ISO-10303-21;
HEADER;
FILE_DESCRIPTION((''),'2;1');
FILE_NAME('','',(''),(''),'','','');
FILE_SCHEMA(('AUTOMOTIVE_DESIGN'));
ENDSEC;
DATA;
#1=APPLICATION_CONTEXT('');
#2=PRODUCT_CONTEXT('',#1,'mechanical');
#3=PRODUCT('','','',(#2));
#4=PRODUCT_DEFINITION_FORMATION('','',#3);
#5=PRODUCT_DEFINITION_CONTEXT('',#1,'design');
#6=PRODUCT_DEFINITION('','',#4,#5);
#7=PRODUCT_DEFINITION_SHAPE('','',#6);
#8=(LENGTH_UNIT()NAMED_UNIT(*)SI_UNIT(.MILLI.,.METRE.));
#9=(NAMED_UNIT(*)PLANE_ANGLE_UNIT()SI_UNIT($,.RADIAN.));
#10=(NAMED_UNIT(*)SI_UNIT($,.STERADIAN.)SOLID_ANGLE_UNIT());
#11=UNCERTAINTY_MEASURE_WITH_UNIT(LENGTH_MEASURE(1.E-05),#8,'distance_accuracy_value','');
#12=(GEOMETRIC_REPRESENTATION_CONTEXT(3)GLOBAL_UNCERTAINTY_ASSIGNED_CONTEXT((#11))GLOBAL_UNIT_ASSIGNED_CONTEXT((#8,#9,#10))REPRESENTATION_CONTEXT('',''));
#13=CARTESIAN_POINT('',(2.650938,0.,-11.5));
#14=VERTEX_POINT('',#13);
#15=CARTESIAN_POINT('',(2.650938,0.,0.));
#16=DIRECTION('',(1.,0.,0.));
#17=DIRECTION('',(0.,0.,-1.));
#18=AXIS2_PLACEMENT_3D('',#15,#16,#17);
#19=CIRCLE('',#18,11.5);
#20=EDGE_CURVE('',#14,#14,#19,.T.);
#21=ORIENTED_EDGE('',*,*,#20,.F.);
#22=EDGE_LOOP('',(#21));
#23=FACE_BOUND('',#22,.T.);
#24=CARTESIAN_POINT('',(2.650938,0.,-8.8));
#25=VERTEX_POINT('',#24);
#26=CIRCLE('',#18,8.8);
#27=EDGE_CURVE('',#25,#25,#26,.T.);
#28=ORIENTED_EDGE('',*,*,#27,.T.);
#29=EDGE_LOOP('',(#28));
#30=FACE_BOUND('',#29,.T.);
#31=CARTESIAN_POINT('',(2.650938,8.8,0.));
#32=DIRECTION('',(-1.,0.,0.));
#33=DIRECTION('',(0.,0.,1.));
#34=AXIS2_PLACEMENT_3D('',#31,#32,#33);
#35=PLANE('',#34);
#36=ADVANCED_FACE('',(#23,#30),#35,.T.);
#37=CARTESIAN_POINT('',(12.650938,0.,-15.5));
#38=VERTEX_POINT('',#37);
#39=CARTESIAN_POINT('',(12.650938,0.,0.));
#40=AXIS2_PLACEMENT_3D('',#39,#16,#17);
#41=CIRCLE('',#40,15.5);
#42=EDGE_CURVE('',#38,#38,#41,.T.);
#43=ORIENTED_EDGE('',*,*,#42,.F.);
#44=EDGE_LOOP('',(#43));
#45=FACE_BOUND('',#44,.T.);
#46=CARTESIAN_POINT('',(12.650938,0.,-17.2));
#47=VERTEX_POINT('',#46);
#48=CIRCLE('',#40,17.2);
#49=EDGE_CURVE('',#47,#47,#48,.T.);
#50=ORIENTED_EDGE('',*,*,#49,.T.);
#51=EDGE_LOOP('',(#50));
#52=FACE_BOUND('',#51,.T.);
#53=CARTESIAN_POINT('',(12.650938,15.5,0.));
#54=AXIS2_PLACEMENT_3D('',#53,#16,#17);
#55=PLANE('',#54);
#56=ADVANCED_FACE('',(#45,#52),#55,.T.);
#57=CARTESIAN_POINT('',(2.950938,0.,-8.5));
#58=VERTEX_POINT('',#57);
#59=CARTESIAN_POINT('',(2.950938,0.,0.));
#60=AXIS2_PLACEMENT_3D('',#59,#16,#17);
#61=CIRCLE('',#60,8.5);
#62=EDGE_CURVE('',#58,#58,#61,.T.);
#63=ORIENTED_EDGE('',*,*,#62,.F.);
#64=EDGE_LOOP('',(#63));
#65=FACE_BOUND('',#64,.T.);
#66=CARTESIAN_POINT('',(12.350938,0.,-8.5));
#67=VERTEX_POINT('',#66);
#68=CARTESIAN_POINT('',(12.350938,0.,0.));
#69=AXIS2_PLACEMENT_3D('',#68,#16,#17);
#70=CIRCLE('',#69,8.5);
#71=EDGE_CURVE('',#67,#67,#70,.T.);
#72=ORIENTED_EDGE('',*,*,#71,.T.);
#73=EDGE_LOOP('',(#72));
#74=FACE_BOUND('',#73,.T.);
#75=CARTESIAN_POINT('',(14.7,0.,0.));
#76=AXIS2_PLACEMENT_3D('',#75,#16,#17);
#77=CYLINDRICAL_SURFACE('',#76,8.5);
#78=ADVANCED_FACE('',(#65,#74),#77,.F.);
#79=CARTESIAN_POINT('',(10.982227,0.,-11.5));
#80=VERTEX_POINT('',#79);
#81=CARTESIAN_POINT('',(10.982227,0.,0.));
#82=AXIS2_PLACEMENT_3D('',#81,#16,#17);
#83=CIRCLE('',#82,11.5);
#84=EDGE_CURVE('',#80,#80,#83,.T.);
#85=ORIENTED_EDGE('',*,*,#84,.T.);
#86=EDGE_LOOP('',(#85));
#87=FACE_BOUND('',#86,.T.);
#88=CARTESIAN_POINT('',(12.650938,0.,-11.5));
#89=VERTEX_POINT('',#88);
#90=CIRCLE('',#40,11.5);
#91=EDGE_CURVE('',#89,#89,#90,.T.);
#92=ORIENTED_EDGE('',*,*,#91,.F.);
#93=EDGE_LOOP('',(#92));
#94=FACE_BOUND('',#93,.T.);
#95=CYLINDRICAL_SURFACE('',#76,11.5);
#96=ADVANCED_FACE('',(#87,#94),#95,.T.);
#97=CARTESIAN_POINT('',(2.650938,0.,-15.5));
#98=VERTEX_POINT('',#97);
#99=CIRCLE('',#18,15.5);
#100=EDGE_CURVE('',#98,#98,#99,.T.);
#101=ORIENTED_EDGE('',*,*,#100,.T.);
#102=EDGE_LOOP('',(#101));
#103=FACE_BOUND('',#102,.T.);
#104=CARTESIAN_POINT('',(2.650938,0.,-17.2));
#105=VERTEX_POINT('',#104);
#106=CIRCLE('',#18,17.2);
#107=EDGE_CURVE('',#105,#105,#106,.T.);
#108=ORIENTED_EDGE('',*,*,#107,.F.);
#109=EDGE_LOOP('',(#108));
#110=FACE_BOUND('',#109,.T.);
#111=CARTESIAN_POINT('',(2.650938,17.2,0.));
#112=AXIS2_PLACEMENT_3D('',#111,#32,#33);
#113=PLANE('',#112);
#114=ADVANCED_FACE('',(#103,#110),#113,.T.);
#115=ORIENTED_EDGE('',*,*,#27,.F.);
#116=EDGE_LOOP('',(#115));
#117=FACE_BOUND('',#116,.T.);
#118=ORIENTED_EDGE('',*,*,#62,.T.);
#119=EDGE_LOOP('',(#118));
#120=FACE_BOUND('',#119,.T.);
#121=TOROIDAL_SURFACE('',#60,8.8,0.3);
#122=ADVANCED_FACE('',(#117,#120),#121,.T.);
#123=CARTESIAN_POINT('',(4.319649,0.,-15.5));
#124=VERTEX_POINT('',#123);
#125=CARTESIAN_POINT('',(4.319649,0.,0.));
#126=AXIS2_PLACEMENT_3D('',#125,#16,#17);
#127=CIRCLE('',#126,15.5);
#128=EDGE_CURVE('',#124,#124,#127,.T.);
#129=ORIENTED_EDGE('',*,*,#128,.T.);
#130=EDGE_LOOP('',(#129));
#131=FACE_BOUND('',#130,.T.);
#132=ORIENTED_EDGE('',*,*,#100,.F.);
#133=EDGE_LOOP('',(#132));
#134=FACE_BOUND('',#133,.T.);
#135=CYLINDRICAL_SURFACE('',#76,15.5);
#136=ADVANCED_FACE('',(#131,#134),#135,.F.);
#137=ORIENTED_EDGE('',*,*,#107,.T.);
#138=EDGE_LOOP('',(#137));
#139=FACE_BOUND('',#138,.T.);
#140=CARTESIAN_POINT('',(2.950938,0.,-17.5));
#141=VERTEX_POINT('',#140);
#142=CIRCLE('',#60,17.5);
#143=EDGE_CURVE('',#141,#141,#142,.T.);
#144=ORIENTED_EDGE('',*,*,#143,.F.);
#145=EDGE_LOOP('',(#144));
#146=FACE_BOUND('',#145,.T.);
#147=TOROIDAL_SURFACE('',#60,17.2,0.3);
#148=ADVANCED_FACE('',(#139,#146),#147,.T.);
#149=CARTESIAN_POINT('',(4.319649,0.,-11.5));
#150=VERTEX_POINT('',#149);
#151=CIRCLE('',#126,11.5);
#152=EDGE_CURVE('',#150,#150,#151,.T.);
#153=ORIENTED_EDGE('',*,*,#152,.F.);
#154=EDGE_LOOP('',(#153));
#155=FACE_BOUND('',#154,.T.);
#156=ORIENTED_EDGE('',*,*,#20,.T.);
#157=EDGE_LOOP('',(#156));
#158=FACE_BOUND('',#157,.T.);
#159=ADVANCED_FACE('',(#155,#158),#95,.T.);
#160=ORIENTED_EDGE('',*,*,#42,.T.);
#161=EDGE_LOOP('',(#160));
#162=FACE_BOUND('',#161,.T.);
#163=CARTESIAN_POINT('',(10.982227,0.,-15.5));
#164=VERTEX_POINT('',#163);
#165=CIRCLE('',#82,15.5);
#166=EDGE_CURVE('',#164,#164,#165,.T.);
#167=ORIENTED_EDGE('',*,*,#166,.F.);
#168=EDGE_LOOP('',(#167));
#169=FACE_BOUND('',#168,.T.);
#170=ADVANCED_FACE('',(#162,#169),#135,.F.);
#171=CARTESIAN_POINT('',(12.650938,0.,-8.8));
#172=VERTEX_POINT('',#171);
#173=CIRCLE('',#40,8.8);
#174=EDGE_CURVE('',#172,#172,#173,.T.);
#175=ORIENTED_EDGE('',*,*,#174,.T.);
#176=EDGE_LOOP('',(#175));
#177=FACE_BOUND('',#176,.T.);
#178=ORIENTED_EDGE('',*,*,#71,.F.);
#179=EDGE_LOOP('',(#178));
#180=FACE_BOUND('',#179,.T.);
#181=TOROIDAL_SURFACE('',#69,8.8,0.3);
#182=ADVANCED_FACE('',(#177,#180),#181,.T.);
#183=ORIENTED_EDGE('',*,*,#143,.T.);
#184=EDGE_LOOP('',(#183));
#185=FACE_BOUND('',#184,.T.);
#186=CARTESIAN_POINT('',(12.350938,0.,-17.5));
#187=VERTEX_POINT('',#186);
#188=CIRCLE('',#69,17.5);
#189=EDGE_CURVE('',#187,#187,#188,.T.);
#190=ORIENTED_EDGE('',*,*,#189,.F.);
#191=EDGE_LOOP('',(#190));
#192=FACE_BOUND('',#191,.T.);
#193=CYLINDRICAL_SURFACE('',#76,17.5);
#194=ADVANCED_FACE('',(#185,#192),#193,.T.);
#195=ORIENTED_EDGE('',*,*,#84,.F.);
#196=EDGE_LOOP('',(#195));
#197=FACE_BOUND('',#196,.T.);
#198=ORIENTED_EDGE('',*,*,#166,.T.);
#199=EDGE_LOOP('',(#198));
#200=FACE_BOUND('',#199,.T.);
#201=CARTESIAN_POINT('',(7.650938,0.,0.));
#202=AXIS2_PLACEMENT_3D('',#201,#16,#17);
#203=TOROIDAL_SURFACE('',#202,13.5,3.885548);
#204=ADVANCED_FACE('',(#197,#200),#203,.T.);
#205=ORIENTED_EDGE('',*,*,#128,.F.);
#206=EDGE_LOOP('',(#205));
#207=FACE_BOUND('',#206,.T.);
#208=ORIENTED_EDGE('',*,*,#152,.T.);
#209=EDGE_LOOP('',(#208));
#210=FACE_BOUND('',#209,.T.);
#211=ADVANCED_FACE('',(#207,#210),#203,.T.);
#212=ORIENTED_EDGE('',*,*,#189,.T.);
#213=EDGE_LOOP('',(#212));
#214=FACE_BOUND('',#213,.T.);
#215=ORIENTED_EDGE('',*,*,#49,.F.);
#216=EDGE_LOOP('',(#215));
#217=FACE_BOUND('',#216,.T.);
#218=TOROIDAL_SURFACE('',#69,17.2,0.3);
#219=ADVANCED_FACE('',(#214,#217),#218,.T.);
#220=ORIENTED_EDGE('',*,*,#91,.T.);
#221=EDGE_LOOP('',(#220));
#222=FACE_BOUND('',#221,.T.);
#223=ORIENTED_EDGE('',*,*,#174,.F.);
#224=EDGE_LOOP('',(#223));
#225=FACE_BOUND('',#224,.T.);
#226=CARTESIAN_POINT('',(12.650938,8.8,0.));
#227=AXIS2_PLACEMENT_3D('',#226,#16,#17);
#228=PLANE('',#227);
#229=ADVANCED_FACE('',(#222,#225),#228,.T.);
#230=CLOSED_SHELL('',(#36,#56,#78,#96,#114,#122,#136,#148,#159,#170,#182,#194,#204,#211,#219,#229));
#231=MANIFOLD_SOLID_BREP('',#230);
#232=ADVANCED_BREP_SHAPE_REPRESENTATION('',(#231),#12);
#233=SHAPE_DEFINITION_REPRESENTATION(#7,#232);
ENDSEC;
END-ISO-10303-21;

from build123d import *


with BuildPart() as part:
    # Sketch1 → Revolve1 (revolve)
    with BuildSketch(Plane.XY):
        with BuildLine():
            Line((2.65093816, 15.5), (4.319649297, 15.5))
            ThreePointArc((4.319649297, 15.5), (3.765389873, 13.5), (4.319649297, 11.5))
            Line((4.319649297, 11.5), (2.65093816, 11.5))
            Line((2.65093816, 11.5), (2.65093816, 8.8))
            ThreePointArc((2.65093816, 8.8), (2.738806126, 8.587867966), (2.95093816, 8.5))
            Line((2.95093816, 8.5), (12.35093816, 8.5))
            ThreePointArc((12.35093816, 8.5), (12.563070194, 8.587867966), (12.65093816, 8.8))
            Line((12.65093816, 8.8), (12.65093816, 11.5))
            Line((12.65093816, 11.5), (10.982227023, 11.5))
            ThreePointArc((10.982227023, 11.5), (11.536486446, 13.5), (10.982227023, 15.5))
            Line((10.982227023, 15.5), (12.65093816, 15.5))
            Line((12.65093816, 15.5), (12.65093816, 17.2))
            ThreePointArc((12.65093816, 17.2), (12.563070194, 17.412132034), (12.35093816, 17.5))
            Line((12.35093816, 17.5), (2.95093816, 17.5))
            ThreePointArc((2.95093816, 17.5), (2.738806126, 17.412132034), (2.65093816, 17.2))
            Line((2.65093816, 17.2), (2.65093816, 15.5))
        make_face()
    revolve(axis=Axis((14.7, 0, 0), (-1, 0, 0)))


solid = part.part
